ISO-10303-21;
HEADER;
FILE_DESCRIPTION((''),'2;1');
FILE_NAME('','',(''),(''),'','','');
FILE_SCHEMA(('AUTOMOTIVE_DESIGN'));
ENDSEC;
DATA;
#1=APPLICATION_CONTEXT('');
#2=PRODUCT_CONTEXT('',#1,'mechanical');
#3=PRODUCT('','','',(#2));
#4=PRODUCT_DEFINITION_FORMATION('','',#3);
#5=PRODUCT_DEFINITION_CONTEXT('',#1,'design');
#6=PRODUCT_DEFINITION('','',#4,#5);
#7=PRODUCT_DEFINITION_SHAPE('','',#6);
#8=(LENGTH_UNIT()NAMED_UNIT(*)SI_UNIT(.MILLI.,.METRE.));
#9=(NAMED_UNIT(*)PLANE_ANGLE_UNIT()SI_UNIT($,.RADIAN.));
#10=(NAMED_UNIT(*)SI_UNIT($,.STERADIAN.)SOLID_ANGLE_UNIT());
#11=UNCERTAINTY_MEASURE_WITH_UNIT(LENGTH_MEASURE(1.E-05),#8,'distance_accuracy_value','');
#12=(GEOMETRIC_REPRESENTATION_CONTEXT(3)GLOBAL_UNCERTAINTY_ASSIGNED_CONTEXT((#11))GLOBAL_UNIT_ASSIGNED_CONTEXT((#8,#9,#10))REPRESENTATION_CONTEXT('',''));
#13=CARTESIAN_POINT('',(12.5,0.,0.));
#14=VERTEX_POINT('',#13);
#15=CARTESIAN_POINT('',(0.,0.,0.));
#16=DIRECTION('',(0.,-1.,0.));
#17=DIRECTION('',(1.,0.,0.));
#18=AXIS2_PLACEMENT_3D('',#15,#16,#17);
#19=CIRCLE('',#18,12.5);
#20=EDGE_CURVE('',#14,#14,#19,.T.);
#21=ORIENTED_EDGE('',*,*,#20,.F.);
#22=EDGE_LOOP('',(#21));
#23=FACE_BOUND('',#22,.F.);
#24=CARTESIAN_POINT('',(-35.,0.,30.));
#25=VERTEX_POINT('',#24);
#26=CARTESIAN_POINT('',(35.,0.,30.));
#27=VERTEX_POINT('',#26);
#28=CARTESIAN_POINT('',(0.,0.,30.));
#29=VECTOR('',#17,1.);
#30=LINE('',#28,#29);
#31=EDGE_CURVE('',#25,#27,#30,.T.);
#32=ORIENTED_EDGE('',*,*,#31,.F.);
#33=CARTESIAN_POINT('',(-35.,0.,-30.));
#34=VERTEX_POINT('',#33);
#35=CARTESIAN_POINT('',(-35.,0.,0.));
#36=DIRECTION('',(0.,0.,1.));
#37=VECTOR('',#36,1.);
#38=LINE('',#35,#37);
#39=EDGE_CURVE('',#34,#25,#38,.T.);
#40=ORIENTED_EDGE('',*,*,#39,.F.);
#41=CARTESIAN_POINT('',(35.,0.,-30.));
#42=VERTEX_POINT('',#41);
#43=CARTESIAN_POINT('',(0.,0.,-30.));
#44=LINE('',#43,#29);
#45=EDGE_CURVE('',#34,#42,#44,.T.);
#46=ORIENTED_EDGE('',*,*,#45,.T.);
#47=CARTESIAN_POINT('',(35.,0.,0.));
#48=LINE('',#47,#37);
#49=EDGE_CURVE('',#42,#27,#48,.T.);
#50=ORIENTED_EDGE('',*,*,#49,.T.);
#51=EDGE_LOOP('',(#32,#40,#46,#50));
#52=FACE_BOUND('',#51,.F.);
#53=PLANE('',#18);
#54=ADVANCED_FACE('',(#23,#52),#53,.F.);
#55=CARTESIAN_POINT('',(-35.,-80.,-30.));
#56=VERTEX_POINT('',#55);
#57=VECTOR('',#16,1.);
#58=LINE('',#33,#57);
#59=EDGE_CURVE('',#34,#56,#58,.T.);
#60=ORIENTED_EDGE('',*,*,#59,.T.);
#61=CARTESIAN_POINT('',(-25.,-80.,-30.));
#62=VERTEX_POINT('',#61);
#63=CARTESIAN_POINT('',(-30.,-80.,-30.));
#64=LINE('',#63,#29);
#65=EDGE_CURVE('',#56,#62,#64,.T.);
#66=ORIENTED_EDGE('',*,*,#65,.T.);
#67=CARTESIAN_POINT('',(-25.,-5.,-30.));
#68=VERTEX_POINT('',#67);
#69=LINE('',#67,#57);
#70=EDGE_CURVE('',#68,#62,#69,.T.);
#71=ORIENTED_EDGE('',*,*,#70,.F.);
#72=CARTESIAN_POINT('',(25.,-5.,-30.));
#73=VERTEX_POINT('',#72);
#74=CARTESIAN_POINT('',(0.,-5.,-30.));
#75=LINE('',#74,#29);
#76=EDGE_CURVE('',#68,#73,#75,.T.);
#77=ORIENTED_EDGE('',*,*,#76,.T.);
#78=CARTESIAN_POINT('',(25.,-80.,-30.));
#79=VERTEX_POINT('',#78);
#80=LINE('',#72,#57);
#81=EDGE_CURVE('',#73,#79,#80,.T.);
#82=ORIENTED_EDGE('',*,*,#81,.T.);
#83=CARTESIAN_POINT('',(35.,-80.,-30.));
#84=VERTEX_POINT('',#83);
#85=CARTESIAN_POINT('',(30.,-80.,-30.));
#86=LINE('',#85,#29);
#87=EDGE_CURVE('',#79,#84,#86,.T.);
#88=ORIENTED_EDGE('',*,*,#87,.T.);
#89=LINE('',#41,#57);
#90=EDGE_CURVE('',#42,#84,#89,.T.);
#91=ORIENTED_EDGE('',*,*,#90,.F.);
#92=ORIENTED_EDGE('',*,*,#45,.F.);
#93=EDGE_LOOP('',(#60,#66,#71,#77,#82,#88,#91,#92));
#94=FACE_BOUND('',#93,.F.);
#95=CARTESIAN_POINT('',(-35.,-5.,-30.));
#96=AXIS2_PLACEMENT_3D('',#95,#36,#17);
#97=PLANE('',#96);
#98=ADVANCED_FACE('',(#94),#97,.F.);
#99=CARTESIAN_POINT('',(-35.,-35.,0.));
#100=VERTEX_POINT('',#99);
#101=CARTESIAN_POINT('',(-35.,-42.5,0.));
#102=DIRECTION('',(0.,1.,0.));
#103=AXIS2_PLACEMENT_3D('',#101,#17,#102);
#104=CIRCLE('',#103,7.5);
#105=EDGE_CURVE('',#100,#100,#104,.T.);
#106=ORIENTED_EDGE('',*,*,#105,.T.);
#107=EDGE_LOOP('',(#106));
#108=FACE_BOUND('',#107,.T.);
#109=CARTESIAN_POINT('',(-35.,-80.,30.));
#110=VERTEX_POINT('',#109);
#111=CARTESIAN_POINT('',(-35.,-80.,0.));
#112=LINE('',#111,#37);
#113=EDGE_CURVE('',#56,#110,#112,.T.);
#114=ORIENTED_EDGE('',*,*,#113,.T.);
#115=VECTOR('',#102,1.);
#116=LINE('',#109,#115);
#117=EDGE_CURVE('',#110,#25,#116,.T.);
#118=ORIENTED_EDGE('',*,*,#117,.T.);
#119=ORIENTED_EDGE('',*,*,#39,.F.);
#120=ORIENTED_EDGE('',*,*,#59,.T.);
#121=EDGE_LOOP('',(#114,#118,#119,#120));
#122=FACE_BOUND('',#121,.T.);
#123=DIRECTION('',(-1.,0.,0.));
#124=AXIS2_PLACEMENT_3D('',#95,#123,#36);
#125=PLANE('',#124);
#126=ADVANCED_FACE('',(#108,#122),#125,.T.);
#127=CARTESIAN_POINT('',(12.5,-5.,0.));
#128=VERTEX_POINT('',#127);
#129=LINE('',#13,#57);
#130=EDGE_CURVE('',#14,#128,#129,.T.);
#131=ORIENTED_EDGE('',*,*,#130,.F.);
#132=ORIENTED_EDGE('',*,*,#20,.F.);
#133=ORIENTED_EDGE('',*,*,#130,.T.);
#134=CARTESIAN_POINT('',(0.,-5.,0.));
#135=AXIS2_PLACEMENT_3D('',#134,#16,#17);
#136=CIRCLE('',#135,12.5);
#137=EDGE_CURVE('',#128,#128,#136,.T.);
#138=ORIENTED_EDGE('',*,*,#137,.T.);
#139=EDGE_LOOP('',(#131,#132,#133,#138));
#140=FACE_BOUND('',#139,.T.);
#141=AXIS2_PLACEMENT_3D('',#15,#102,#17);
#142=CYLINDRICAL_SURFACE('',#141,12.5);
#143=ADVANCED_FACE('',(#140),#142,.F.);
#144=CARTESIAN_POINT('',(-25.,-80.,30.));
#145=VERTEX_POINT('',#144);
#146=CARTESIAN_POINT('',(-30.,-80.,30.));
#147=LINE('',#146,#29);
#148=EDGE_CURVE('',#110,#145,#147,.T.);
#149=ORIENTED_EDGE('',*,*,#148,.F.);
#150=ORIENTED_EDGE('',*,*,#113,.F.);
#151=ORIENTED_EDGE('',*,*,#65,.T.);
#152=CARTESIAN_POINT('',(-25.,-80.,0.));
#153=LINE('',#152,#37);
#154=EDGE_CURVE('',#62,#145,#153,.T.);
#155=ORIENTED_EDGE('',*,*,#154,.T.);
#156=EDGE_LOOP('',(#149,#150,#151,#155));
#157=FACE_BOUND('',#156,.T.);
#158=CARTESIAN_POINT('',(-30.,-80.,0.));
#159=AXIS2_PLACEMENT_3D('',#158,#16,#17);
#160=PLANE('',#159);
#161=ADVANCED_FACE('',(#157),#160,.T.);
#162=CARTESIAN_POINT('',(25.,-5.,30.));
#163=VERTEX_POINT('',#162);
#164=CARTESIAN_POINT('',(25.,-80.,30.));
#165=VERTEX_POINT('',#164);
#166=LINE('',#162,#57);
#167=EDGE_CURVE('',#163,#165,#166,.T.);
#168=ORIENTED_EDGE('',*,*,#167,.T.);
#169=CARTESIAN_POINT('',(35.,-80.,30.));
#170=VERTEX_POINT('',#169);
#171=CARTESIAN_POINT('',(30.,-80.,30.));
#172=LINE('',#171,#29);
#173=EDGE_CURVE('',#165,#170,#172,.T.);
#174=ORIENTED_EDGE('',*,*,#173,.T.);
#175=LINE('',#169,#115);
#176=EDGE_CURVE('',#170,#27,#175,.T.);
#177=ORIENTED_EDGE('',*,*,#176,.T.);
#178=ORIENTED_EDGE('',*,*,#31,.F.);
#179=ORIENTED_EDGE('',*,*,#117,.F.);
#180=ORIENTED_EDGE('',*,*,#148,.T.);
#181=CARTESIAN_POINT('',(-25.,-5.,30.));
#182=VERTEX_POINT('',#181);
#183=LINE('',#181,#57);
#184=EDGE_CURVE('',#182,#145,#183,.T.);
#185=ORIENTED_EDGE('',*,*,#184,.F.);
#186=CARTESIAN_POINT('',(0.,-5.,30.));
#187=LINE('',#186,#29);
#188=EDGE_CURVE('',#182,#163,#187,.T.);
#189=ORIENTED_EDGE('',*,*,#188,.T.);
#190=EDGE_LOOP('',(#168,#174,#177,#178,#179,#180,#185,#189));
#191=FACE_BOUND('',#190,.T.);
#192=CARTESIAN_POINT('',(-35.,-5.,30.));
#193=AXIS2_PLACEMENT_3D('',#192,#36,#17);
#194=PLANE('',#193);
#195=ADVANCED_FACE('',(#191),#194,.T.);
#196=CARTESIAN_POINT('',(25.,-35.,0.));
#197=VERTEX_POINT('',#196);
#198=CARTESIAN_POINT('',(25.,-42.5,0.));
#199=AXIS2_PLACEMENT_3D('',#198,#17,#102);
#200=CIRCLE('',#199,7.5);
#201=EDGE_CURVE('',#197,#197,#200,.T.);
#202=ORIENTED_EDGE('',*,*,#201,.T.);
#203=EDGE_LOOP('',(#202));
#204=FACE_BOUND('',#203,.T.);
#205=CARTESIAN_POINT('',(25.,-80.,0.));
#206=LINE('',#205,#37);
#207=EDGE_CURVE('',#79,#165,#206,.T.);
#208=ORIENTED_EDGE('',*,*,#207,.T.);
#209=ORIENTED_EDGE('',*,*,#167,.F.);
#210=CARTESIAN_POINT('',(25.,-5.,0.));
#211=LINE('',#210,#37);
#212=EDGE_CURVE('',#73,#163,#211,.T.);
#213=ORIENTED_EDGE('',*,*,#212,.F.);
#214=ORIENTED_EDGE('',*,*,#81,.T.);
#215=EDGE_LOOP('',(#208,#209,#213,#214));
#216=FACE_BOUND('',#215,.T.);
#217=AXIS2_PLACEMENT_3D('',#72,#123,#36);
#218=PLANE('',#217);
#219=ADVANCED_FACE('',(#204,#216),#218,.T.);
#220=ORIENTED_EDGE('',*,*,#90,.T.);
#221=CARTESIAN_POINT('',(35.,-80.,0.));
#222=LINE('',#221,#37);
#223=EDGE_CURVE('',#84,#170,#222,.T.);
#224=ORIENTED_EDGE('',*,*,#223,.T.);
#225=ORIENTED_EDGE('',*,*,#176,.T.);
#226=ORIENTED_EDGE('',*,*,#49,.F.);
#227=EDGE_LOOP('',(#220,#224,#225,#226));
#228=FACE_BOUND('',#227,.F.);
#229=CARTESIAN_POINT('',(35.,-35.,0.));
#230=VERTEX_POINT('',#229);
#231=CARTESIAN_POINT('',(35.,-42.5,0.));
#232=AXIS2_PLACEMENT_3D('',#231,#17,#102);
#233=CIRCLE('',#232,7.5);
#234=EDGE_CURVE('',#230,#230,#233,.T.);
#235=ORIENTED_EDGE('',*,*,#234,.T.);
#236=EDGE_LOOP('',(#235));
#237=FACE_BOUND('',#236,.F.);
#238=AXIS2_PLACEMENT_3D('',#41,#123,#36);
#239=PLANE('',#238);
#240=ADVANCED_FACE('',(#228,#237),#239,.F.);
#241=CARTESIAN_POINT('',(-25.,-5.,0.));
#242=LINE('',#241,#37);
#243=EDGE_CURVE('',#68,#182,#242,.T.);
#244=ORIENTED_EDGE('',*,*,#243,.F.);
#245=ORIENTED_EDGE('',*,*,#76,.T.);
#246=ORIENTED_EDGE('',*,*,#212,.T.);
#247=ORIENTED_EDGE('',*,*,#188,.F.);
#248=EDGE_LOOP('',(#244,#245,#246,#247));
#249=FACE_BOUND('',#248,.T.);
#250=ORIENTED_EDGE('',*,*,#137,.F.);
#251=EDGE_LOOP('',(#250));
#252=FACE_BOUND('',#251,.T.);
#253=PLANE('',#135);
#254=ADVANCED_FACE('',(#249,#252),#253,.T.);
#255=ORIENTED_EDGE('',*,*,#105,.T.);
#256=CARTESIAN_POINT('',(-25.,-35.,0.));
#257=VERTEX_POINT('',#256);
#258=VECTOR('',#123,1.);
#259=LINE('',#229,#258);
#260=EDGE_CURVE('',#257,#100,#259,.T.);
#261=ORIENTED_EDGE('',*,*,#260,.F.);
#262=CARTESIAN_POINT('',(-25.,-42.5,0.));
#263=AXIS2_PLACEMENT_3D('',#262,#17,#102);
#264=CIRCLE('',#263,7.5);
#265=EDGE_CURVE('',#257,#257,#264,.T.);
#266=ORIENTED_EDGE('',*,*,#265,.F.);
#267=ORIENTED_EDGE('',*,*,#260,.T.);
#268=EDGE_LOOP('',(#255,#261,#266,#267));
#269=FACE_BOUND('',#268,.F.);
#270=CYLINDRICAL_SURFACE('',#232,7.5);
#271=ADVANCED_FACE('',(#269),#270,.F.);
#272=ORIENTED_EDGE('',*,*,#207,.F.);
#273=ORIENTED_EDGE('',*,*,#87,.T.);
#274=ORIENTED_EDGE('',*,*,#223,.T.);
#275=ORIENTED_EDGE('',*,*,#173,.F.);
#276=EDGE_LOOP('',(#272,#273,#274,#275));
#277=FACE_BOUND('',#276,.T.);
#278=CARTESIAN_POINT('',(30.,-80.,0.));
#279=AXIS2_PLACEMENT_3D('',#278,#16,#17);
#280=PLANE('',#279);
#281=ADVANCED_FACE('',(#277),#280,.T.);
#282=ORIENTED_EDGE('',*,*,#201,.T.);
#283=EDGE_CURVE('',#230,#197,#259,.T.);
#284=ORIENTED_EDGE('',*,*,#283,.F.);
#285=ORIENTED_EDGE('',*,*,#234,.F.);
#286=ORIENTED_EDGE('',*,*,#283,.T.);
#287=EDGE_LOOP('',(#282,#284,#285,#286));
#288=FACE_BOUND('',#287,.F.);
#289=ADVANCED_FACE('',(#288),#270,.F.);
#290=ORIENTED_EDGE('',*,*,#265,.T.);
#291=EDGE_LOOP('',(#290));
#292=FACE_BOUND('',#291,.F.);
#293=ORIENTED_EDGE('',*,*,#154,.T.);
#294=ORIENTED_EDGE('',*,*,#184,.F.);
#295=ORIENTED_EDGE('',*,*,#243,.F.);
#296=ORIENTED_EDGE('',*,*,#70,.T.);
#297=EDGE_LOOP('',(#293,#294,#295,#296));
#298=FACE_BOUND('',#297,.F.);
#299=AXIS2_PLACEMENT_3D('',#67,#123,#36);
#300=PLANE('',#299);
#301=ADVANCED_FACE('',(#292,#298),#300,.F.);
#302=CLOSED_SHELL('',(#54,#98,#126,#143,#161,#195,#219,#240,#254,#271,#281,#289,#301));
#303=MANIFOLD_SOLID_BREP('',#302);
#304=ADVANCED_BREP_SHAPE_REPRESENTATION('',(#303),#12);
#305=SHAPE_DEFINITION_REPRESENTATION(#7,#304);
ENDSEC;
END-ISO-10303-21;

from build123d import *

# Parameters (mm, degrees)
F0_W     = 70
F0_H     = 60
F0_R     = 12.5
F1_DEPTH = 5
F2_W     = 10
F2_H     = 60
F3_DEPTH = 75
F4_R     = 7.5
F5_DEPTH = 70.001


with BuildPart() as f1:
    # F0 (on Front) → F1 (new body)
    with BuildSketch(Plane.XZ):
        Rectangle(F0_W, F0_H)
        Circle(F0_R, mode=Mode.SUBTRACT)
    extrude(amount=F1_DEPTH)

    # F2 (on face) → F3 (join)
    with BuildSketch(Plane.XZ.offset(5)):
        with Locations((-30, 0)):
            Rectangle(F2_W, F2_H)
        with Locations((30, 0)):
            Rectangle(F2_W, F2_H)
    extrude(amount=F3_DEPTH)

    # F4 (on face) → F5 (cut, through all)
    with BuildSketch(Plane.YZ.offset(35)):
        with Locations((-42.5, 0)):
            Circle(F4_R)
    extrude(amount=-F5_DEPTH, mode=Mode.SUBTRACT)


solid = f1.part
